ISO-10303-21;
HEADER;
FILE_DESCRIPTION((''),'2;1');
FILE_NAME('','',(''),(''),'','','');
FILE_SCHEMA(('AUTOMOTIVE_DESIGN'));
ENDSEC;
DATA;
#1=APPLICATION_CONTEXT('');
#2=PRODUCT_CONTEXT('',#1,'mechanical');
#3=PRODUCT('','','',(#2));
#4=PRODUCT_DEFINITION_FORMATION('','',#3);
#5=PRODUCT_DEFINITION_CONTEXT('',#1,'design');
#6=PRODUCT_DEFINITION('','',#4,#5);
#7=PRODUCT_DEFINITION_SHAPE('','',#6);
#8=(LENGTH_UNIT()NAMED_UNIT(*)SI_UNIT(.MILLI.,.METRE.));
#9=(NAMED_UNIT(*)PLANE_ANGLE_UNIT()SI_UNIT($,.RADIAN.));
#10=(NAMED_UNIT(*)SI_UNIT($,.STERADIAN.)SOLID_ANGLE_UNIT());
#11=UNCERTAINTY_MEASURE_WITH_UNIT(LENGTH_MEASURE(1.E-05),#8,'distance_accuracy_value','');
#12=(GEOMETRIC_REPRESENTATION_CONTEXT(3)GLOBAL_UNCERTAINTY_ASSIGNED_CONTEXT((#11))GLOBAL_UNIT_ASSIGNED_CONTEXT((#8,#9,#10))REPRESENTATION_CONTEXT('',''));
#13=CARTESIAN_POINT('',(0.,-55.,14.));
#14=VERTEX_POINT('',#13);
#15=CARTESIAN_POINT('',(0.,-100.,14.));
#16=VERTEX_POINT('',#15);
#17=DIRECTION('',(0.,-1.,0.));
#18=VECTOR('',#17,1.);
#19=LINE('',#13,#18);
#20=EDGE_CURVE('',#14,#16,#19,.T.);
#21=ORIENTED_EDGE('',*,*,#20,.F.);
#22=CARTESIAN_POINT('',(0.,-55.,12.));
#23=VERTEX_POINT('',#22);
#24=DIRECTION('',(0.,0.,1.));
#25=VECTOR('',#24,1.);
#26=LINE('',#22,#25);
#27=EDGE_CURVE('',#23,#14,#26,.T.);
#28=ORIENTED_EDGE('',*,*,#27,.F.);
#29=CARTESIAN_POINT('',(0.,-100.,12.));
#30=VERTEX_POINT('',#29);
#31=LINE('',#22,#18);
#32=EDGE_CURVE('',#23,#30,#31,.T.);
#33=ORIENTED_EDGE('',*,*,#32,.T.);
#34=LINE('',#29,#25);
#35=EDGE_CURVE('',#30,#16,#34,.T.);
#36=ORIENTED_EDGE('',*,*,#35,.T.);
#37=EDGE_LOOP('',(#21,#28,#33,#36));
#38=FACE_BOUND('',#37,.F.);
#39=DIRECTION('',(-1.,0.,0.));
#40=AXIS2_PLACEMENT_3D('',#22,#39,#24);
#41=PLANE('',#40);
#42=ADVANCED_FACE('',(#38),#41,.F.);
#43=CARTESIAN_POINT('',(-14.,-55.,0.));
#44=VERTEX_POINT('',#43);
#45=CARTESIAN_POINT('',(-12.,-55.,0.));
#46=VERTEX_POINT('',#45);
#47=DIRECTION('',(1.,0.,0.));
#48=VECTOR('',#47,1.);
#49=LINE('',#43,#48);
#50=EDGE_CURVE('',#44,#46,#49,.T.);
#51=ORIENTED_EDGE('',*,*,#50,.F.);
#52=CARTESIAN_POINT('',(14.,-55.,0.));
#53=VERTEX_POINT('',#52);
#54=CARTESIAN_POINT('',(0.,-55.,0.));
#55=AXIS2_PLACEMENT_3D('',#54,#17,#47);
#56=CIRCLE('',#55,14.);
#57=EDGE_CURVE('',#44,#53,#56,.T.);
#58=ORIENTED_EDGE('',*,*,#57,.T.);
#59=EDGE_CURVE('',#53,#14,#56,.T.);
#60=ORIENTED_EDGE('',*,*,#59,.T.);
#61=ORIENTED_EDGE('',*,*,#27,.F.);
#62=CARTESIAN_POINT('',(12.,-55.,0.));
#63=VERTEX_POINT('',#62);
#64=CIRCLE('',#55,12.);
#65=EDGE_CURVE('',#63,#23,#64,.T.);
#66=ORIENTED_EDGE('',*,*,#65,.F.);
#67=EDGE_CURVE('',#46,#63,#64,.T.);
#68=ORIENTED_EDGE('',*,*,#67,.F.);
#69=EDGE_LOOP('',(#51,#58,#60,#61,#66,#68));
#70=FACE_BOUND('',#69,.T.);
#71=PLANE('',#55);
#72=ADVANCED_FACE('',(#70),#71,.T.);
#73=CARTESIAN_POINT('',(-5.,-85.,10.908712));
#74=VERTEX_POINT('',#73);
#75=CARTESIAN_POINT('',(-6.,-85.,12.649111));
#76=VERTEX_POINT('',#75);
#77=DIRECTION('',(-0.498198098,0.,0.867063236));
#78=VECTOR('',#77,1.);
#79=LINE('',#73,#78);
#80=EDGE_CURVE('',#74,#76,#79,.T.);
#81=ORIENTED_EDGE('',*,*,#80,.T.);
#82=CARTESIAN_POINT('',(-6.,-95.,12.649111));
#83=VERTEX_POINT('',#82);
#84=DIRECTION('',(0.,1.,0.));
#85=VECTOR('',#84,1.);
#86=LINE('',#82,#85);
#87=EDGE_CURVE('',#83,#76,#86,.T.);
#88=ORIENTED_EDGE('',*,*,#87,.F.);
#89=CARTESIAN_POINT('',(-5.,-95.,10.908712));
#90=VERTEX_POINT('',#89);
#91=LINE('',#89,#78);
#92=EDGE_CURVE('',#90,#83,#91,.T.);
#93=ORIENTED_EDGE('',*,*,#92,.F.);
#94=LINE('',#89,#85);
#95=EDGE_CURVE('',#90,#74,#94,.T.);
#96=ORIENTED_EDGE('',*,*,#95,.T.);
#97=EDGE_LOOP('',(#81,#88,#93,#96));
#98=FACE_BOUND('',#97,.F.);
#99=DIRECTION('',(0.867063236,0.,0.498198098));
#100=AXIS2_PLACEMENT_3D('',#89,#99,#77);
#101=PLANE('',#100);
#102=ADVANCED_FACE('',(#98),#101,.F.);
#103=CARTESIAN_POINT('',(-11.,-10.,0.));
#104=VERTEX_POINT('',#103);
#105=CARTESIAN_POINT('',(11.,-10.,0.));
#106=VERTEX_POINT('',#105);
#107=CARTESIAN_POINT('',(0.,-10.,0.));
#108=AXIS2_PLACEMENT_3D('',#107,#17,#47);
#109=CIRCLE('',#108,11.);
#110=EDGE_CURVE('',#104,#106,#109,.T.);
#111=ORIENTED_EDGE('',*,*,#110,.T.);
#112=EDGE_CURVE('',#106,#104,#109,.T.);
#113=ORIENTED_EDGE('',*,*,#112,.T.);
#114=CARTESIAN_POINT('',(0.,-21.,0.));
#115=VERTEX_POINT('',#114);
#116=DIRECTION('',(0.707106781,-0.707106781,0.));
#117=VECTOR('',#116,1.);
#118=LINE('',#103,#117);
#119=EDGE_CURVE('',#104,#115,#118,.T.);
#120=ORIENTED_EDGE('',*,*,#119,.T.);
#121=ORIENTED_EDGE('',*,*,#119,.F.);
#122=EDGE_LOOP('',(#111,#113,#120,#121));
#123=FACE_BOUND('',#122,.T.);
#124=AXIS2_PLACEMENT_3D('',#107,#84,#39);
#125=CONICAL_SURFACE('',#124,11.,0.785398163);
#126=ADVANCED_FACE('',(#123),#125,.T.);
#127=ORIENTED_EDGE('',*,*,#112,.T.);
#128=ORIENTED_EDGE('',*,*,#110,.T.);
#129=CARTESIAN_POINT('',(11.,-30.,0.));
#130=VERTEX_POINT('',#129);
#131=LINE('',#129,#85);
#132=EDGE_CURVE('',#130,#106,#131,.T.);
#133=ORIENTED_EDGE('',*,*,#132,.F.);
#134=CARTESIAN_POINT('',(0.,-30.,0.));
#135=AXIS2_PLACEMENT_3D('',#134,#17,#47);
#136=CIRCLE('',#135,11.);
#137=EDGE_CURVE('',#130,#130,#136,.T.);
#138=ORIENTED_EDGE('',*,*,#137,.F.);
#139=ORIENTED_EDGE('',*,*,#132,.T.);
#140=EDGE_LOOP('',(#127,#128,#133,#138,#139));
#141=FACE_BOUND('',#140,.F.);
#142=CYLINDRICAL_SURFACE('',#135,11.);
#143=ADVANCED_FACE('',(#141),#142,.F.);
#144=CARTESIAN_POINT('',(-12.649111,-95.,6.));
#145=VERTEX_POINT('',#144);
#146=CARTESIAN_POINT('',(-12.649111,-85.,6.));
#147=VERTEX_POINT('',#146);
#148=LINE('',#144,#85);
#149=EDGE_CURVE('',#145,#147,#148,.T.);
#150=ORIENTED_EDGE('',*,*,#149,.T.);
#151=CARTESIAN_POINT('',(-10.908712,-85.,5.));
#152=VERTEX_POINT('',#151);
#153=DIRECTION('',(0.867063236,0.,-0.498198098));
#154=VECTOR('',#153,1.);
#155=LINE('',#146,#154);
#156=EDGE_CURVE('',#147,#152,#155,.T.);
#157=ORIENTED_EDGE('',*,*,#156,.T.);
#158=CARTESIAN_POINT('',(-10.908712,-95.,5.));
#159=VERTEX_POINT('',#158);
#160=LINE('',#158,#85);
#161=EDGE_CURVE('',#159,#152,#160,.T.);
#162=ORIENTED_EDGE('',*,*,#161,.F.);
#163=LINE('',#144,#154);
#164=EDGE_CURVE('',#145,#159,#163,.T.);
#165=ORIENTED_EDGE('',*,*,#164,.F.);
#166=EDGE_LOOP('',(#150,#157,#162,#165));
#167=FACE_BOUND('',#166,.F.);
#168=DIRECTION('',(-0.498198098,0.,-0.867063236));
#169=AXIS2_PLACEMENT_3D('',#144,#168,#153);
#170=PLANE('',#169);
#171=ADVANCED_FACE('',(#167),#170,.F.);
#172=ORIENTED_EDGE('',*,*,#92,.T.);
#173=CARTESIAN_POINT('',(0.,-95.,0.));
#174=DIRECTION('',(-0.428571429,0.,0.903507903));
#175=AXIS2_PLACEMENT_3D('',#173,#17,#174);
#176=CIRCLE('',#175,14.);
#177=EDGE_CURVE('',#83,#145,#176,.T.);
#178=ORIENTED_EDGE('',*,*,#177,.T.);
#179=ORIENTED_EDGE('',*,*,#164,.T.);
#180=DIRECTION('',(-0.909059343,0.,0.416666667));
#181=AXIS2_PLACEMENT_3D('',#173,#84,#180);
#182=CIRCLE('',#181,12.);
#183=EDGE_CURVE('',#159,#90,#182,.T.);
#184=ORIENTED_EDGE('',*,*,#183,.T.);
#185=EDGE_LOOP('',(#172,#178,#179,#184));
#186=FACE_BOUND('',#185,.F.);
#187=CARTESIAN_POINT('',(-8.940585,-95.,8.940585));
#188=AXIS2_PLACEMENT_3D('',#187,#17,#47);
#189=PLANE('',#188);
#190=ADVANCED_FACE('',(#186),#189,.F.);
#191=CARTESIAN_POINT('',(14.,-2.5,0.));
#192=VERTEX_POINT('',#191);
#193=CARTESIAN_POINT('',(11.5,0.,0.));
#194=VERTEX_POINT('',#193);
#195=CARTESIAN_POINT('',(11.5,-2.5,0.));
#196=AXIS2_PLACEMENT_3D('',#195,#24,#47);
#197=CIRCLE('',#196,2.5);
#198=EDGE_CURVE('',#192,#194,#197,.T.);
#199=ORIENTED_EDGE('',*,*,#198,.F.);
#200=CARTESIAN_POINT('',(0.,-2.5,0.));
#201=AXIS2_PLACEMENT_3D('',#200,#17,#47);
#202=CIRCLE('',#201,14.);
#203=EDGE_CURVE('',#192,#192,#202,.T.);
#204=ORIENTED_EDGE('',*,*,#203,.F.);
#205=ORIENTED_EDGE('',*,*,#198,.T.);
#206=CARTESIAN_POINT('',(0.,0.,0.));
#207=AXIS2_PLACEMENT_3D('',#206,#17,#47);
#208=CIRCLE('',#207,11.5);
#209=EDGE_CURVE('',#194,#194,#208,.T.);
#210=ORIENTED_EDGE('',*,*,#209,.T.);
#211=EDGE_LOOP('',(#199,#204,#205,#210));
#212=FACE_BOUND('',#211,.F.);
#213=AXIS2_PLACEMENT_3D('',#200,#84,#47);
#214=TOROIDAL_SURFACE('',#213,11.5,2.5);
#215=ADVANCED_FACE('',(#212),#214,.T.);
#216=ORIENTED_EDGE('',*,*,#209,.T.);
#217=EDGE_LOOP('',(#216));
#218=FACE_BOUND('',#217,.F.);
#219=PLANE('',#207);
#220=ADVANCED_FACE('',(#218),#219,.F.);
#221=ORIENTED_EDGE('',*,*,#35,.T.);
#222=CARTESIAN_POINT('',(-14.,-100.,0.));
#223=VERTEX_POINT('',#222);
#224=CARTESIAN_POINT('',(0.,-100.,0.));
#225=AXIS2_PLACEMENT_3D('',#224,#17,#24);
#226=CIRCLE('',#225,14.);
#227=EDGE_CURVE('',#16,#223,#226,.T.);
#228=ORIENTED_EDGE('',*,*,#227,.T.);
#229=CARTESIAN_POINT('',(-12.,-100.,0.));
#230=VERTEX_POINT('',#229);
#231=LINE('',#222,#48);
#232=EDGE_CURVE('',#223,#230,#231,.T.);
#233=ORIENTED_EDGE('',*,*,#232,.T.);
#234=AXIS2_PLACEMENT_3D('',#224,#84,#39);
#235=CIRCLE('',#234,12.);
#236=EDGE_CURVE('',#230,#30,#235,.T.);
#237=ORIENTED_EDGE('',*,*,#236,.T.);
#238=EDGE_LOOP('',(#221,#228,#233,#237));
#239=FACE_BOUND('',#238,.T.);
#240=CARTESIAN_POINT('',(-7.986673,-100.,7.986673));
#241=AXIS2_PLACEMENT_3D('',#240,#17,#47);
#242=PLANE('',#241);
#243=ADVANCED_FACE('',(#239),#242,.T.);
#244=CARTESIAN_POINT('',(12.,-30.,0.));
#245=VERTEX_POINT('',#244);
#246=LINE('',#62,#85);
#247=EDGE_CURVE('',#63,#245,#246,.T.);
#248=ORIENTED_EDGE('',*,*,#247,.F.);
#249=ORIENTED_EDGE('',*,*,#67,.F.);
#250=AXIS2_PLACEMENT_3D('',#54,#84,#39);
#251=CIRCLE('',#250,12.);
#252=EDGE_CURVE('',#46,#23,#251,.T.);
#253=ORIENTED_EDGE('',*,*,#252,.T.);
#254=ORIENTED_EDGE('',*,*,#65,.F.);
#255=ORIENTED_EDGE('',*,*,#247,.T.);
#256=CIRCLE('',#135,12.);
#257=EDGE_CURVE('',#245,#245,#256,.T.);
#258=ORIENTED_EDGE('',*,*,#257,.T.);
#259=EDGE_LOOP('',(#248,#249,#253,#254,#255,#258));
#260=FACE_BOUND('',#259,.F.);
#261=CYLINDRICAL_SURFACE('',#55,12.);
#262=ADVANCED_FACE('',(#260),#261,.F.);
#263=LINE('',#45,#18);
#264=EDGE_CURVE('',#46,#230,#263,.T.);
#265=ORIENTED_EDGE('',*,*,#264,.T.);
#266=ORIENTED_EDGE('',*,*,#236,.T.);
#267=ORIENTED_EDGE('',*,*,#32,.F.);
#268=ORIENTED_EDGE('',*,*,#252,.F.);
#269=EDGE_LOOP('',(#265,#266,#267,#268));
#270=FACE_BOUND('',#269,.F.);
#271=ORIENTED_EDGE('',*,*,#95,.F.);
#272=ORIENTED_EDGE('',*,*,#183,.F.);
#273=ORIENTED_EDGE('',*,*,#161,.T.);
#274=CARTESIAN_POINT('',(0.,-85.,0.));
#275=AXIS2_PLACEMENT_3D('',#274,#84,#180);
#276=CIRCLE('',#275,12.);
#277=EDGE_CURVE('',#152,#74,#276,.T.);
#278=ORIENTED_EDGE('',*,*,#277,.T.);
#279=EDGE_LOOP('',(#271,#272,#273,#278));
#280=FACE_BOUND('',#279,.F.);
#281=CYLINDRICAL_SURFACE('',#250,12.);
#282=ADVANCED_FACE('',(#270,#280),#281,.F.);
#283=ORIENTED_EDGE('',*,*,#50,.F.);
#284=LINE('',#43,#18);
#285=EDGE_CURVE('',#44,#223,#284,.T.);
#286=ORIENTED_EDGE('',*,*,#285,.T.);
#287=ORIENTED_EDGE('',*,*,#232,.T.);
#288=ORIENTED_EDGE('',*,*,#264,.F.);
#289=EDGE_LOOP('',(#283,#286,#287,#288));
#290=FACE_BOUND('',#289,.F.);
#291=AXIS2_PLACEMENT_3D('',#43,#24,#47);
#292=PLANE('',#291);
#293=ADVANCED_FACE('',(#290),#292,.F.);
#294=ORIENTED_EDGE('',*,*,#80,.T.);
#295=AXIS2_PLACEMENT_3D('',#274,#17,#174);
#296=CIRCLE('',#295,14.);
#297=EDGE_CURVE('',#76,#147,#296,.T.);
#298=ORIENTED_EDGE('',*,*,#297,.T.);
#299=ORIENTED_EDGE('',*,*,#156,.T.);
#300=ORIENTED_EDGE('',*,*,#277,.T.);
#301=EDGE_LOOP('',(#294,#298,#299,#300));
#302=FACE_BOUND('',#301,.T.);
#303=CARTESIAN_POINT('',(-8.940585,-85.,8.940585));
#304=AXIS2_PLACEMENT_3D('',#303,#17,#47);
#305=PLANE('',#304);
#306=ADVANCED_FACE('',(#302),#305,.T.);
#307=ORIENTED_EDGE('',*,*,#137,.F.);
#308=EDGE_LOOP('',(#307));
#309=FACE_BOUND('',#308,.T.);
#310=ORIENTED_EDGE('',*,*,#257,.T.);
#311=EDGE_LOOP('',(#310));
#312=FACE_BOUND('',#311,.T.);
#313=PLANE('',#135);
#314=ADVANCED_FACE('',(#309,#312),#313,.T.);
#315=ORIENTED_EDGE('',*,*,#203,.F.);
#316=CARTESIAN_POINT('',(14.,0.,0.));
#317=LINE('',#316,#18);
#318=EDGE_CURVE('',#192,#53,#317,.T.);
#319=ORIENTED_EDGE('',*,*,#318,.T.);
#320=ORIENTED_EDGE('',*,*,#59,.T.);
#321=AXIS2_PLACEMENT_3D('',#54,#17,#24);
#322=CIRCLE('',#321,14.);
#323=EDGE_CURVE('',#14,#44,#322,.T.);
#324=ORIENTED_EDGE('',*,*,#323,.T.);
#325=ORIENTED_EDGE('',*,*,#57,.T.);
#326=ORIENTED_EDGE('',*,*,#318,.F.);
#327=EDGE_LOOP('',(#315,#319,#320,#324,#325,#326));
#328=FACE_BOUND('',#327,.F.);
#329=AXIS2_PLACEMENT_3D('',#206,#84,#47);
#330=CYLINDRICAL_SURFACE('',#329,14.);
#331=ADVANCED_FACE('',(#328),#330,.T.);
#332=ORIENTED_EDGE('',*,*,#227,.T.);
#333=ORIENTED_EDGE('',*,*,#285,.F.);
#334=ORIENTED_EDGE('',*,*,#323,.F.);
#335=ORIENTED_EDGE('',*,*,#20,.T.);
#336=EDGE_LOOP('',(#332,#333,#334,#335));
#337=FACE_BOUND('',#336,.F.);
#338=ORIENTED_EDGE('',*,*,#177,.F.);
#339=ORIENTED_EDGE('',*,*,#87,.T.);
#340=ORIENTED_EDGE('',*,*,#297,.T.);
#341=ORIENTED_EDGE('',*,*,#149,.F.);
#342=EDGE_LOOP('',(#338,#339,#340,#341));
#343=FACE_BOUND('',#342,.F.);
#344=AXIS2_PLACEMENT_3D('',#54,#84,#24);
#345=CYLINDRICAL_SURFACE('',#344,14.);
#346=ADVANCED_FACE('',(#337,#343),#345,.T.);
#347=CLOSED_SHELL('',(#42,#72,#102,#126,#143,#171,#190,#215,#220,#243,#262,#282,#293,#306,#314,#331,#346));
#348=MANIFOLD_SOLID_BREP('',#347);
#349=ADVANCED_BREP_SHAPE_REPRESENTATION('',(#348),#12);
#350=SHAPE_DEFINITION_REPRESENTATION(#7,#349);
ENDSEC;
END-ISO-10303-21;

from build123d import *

# Parameters (mm, degrees)
F0_R      = 14
F1_DEPTH  = 55
F2_R      = 12
F3_DEPTH  = 25
F4_R      = 11
F5_DEPTH  = 20
F6_R      = 2.5
F10_DEPTH = 45
F12_START = -5
F12_DEPTH = 10


with BuildPart() as f1:
    # F0 (on Front) → F1 (new body)
    with BuildSketch(Plane.XZ):
        Circle(F0_R)
    extrude(amount=F1_DEPTH)

    # F2 (on face) → F3 (cut)
    with BuildSketch(Plane.XZ.offset(55)):
        Circle(F2_R)
    extrude(amount=-F3_DEPTH, mode=Mode.SUBTRACT)

    # F4 (on face) → F5 (cut)
    with BuildSketch(Plane.XZ.offset(30)):
        Circle(F4_R)
    extrude(amount=-F5_DEPTH, mode=Mode.SUBTRACT)

    # F6
    f6_edges = [f1.edges().sort_by_distance(p)[0] for p in [
        (-14, 0, 0),
    ]]
    fillet(f6_edges, radius=F6_R)

    # F7 (on Top) → F8 (revolve)
    with BuildSketch(Plane.XY):
        Polygon((0, -21), (0, -10), (-11, -10), align=None)
    revolve(axis=Axis((0, -15.5, 0), (0, -1, 0)))

    # F9 (on face) → F10 (join)
    with BuildSketch(Plane.XZ.offset(55)):
        with BuildLine():
            Line((-14, 0), (-12, 0))
            ThreePointArc((-12, 0), (-8.4852813742, 8.4852813742), (0, 12))
            Line((0, 12), (0, 14))
            ThreePointArc((0, 14), (-9.8994949366, 9.8994949366), (-14, 0))
        make_face()
    extrude(amount=F10_DEPTH)

    # F11 (on face) → F12 (cut)
    with BuildSketch(Plane.XZ.offset(100).offset(F12_START)):
        with BuildLine():
            Line((-12.6491106407, 6), (-10.9087121146, 5))
            ThreePointArc((-10.9087121146, 5), (-8.4852813742, 8.4852813742), (-5, 10.9087121146))
            Line((-5, 10.9087121146), (-6, 12.6491106407))
            ThreePointArc((-6, 12.6491106407), (-9.8994949366, 9.8994949366), (-12.6491106407, 6))
        make_face()
    extrude(amount=-F12_DEPTH, mode=Mode.SUBTRACT)


solid = f1.part
